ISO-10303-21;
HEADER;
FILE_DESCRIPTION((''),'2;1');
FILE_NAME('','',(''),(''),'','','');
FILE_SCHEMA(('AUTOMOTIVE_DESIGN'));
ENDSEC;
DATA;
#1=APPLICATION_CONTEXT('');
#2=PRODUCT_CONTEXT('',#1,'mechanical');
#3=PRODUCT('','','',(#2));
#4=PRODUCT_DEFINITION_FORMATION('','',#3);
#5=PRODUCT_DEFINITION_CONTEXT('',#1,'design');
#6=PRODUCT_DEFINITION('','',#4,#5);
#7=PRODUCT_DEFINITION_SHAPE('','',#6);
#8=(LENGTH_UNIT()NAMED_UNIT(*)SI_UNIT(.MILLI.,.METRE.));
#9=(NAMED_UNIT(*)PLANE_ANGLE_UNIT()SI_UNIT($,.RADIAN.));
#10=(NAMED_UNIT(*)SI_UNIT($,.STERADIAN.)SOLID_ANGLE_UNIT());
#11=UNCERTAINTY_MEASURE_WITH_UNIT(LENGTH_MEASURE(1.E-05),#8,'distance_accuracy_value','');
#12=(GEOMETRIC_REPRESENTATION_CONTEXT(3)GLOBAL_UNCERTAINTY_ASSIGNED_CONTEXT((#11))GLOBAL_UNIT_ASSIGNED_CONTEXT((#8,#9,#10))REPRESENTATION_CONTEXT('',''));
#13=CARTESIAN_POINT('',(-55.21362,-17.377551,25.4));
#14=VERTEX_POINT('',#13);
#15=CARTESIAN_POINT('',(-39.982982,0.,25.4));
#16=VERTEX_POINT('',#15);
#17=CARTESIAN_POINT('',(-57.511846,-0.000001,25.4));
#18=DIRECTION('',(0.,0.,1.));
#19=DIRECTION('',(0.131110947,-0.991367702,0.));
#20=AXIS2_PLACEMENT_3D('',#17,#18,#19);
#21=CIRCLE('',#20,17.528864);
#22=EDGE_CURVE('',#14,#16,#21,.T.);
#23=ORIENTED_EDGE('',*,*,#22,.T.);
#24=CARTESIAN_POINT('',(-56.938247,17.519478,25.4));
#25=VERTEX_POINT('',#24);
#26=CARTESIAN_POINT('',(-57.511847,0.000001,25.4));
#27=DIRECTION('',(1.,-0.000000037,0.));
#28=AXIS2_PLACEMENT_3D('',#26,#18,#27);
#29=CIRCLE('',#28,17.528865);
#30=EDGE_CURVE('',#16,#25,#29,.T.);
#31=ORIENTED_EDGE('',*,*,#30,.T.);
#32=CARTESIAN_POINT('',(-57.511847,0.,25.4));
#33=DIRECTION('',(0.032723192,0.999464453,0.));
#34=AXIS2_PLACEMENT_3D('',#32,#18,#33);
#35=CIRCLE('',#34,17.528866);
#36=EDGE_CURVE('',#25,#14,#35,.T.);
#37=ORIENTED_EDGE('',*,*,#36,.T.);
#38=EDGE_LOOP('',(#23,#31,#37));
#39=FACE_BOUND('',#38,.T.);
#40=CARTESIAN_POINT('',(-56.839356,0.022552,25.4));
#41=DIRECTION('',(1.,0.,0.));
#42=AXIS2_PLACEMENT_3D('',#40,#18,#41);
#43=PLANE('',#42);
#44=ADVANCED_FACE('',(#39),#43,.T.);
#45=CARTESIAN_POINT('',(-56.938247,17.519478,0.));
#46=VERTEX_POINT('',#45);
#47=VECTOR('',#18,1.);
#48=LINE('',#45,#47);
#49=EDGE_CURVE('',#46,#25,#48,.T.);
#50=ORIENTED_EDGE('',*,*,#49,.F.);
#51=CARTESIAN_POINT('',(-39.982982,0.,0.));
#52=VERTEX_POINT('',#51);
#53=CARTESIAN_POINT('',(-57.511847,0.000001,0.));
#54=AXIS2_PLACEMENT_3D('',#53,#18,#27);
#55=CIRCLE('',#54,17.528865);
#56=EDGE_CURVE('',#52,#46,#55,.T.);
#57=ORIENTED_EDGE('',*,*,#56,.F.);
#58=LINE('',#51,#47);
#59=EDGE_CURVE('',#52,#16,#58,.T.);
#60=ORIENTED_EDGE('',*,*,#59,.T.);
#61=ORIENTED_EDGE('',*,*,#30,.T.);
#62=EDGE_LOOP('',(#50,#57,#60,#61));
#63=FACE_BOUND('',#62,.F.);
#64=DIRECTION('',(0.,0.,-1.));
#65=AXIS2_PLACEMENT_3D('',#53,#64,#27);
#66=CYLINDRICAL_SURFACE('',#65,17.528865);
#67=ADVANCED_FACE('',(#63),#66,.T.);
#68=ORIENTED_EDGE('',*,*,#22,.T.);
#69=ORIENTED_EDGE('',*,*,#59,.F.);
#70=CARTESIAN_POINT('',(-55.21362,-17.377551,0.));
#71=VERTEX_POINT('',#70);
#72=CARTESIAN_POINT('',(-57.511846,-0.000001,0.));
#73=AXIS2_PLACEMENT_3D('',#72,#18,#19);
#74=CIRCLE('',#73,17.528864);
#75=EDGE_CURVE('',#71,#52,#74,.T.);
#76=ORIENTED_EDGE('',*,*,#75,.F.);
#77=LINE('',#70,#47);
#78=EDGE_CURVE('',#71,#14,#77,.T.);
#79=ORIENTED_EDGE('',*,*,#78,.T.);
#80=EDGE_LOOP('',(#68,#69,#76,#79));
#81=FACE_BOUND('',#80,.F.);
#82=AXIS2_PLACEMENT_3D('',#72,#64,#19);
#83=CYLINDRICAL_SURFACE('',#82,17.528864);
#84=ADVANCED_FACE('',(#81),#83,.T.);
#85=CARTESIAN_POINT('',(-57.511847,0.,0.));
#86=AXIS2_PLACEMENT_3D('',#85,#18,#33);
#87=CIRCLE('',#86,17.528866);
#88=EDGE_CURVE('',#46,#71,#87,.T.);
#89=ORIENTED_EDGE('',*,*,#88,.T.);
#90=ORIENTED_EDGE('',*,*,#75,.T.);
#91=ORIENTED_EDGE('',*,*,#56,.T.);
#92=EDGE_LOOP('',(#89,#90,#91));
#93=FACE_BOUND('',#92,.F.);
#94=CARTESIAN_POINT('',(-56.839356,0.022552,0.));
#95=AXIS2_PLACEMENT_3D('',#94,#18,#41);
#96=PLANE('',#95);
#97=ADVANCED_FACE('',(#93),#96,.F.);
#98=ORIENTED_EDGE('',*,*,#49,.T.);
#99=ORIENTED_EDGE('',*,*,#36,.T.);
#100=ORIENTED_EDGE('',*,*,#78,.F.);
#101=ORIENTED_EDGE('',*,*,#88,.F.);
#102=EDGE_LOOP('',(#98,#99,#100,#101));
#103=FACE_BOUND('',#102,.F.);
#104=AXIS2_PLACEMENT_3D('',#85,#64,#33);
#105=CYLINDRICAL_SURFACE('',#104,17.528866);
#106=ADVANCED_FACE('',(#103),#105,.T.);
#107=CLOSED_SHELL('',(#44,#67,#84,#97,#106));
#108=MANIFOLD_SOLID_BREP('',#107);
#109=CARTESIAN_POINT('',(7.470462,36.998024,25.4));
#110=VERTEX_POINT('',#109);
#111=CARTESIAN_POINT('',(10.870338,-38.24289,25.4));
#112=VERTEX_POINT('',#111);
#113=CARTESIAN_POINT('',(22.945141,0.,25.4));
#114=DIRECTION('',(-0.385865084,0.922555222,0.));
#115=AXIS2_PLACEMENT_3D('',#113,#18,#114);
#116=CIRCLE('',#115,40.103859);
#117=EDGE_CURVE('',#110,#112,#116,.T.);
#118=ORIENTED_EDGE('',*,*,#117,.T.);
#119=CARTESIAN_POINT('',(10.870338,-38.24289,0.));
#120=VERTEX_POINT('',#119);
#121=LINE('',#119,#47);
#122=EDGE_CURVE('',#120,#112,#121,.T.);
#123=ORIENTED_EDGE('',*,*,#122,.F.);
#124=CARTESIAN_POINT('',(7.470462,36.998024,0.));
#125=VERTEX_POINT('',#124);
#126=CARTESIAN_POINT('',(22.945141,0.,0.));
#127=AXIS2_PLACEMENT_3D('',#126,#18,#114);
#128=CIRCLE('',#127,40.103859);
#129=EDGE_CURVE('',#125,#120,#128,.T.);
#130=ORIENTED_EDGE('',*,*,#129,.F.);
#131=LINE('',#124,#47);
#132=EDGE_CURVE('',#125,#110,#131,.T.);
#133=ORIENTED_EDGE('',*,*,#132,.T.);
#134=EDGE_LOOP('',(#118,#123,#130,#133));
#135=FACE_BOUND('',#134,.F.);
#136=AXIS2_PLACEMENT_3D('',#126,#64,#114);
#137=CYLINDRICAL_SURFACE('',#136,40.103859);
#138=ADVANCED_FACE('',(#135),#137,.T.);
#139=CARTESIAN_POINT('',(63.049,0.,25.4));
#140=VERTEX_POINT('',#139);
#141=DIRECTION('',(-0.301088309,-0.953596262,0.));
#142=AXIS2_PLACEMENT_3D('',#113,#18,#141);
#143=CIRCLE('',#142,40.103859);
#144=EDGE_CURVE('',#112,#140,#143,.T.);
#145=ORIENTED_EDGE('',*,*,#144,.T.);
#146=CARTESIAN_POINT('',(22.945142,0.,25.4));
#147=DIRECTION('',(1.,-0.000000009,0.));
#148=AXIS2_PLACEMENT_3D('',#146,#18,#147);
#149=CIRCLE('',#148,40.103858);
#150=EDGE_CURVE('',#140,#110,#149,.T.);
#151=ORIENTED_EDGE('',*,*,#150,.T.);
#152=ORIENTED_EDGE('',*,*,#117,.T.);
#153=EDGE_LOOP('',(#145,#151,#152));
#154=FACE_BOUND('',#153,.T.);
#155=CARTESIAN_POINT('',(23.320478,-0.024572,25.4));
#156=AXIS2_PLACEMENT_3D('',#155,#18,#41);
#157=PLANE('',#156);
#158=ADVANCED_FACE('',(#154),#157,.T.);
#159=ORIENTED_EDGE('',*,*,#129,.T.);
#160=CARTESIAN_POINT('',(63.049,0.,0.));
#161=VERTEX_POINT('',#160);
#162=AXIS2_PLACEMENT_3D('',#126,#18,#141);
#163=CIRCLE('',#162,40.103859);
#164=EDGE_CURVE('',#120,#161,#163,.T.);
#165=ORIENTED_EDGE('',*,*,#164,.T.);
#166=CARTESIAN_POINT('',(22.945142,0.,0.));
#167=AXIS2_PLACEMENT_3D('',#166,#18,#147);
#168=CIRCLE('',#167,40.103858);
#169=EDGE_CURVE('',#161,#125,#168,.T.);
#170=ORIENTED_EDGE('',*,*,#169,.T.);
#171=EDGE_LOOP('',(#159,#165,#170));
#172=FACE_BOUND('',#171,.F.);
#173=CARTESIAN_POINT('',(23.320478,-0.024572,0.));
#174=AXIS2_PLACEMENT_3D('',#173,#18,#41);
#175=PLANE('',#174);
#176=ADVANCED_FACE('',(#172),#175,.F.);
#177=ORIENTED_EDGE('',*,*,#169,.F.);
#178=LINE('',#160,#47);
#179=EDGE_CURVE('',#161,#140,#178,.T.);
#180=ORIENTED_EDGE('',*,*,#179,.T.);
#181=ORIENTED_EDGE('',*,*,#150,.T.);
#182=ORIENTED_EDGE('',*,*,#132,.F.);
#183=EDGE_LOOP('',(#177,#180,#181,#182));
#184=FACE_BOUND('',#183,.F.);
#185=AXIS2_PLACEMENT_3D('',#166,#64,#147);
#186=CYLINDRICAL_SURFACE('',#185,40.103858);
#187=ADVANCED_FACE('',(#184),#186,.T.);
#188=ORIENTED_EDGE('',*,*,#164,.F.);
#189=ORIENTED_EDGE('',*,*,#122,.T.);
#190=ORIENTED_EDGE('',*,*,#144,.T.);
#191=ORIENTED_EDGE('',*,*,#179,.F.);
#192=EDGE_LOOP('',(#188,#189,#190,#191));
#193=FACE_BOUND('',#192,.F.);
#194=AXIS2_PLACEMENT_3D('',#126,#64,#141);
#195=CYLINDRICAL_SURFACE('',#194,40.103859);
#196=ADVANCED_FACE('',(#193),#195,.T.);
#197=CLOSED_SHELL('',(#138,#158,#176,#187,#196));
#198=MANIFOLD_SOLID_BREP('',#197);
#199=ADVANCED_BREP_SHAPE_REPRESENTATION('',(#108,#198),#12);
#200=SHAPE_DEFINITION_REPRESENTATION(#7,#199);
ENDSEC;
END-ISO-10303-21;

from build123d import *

# Parameters (mm, degrees)
F1_DEPTH = 25.4


with BuildPart() as f1:
    # F0 (on Top) → F1 (new body)
    with BuildSketch(Plane.XY):
        with BuildLine():
            ThreePointArc((-55.21362, -17.377551), (-44.32954, -11.553697), (-39.982982, 0))
            ThreePointArc((-39.982982, 0), (-44.915902, 12.190295), (-56.938247, 17.519478))
            ThreePointArc((-56.938247, 17.519478), (-75.019346, -0.865229), (-55.21362, -17.377551))
        make_face()
        with BuildLine():
            ThreePointArc((63.049, 0), (45.16816, 33.383483), (7.470462, 36.998024))
            ThreePointArc((7.470462, 36.998024), (-17.117838, -1.810307), (10.870338, -38.24289))
            ThreePointArc((10.870338, -38.24289), (46.652453, -32.346296), (63.049, 0))
        make_face()
    extrude(amount=F1_DEPTH)


solid = f1.part
